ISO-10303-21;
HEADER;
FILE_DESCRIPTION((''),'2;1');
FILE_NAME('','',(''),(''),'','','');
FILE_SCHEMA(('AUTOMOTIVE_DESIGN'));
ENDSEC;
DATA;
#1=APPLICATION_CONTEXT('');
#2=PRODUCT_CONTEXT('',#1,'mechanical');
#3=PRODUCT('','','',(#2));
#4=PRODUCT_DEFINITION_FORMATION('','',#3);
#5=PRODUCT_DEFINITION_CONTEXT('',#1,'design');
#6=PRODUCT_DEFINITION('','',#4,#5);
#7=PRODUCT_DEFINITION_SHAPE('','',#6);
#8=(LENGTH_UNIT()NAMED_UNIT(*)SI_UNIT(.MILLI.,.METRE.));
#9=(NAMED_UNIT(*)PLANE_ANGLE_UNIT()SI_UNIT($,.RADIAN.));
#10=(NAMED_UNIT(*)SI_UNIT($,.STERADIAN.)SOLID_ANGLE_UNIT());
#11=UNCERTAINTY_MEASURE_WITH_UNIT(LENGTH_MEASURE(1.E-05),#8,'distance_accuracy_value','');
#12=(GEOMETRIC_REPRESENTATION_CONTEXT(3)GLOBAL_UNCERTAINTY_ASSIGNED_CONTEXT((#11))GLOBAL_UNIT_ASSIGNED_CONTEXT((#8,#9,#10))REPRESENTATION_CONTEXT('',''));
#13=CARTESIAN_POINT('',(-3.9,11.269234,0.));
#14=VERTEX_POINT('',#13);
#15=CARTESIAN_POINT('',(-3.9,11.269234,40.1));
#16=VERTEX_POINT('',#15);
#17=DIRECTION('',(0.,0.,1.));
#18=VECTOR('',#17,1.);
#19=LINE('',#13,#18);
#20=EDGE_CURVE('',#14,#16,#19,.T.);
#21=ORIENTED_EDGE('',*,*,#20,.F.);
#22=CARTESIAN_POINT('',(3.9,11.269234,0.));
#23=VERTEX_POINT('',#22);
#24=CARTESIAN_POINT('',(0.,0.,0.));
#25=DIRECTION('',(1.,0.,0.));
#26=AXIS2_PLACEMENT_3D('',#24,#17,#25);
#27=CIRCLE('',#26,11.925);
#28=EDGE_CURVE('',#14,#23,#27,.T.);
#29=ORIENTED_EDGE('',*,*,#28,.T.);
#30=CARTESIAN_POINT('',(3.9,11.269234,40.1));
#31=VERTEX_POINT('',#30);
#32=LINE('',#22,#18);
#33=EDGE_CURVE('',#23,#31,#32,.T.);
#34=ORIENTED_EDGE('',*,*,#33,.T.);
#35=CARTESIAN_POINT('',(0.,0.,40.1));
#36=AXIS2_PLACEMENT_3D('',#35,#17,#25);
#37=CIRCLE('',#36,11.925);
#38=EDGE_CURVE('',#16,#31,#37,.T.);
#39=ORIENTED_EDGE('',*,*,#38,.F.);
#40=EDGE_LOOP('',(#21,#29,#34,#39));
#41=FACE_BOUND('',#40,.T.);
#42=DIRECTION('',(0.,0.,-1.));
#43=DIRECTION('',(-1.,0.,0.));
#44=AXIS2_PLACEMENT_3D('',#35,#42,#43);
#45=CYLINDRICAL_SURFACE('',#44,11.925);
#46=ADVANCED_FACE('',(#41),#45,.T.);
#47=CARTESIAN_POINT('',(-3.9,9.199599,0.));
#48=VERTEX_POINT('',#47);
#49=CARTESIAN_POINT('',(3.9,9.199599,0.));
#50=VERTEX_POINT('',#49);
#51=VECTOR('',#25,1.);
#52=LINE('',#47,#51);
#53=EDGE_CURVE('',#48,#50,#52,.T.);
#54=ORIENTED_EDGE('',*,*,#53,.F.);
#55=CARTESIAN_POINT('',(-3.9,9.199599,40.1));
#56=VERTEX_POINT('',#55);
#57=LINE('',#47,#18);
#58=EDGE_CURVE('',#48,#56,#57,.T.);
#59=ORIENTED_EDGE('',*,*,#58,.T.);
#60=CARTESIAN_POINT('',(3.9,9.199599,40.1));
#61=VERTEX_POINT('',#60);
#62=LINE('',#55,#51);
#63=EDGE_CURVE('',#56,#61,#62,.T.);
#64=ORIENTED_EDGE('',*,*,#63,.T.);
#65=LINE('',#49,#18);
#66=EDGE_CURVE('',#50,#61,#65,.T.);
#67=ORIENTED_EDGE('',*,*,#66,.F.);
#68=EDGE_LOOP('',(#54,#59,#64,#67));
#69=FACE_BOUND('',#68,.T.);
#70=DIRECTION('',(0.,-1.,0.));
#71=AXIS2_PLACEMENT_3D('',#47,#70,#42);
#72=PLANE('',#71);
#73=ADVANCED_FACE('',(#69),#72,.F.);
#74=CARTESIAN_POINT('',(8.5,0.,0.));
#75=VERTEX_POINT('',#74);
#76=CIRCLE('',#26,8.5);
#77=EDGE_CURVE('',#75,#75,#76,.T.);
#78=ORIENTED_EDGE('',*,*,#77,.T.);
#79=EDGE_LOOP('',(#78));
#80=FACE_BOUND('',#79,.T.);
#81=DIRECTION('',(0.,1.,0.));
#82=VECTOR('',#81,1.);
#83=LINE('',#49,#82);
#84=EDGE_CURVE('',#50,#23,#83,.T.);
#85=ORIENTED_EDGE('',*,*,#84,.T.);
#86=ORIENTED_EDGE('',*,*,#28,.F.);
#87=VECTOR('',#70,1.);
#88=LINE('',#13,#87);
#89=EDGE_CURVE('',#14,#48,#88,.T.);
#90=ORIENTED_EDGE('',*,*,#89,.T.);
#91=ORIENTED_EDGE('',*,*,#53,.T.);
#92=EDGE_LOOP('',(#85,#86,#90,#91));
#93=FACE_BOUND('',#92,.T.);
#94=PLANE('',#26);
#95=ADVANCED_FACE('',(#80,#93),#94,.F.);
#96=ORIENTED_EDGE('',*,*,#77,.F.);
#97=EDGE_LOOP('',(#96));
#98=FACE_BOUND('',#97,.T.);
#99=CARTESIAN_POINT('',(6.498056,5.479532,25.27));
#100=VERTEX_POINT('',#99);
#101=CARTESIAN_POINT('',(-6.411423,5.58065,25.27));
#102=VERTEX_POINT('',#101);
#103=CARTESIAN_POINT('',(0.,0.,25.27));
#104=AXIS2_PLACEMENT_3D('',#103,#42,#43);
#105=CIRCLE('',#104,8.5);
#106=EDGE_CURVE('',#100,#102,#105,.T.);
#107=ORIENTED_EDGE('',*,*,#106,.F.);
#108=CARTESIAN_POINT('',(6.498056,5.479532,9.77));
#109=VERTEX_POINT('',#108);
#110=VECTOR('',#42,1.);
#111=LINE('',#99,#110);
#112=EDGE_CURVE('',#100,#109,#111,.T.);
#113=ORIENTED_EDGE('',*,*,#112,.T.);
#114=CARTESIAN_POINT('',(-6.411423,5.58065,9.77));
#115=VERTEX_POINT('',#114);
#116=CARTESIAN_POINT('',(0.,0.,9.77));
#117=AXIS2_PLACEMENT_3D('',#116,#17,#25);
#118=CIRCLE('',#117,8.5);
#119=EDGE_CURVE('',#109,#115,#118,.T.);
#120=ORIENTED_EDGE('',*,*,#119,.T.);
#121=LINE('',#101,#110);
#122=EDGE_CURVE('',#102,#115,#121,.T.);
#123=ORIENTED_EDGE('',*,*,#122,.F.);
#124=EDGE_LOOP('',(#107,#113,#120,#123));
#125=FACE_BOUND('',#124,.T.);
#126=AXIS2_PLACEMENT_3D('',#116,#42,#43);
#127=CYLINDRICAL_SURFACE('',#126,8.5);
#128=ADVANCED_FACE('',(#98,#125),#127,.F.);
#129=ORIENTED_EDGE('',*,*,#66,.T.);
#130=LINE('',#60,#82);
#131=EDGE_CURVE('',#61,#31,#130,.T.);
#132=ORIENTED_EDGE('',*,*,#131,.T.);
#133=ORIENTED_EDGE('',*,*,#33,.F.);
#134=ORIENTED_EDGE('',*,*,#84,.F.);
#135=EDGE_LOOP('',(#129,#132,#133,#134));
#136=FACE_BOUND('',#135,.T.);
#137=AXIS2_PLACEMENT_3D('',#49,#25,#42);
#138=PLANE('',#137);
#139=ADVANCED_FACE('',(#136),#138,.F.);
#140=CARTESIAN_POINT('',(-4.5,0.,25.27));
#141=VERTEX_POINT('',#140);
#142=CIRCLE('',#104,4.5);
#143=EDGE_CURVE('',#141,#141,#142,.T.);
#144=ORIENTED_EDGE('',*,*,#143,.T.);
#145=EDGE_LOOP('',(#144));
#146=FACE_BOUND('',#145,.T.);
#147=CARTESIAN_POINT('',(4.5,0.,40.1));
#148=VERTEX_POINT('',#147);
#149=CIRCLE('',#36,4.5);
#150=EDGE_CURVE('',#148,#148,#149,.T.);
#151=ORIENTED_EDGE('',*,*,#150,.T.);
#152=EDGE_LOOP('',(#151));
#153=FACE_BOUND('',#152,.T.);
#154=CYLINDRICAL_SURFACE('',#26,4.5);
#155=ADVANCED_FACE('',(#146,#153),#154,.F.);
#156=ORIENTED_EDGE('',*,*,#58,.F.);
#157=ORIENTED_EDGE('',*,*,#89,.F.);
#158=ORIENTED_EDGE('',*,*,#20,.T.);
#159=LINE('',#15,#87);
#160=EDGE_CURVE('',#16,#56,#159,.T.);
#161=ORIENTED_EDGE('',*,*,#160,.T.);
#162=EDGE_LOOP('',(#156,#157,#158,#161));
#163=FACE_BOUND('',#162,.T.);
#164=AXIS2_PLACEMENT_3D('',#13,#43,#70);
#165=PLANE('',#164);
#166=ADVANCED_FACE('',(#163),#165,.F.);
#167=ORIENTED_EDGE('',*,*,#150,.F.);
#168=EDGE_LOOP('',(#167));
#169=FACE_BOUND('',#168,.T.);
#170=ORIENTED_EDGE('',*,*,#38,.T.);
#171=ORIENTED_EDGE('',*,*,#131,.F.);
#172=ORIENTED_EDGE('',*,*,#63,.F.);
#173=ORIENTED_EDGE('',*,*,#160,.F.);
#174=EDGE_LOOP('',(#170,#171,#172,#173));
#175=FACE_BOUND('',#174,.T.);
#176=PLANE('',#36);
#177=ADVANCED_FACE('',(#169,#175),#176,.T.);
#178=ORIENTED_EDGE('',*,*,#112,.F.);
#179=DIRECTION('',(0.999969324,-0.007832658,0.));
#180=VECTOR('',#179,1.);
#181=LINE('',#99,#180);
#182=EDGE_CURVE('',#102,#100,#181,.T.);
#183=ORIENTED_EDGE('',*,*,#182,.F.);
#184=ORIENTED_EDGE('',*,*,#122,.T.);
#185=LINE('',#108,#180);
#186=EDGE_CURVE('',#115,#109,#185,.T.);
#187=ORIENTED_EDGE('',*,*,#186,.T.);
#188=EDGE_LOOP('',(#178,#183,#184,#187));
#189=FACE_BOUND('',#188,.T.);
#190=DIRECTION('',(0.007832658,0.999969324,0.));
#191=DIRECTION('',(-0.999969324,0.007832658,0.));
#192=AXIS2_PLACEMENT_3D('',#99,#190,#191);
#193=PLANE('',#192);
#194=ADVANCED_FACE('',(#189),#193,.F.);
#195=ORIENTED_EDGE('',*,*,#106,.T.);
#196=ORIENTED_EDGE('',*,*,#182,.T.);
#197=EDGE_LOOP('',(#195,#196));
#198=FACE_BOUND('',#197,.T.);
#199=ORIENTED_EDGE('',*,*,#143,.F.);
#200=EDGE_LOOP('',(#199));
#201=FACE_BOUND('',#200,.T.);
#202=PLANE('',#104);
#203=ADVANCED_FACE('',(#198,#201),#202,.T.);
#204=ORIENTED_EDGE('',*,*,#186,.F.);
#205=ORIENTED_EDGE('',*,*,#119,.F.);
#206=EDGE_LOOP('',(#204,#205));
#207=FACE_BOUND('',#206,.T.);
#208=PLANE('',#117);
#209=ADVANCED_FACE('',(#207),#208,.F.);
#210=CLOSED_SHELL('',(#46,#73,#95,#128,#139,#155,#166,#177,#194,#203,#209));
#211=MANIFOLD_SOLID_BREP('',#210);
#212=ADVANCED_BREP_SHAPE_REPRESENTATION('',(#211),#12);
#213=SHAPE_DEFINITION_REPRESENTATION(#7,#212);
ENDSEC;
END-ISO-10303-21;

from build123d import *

# Parameters (mm, degrees)
ESQUISSE1_R             = 11.925
BOSS_EXTRU_1_DEPTH      = 40.1
ESQUISSE2_R             = 8.5
ENL_V_MAT_EXTRU_1_DEPTH = 9.77
ENL_V_MAT_EXTRU_2_DEPTH = 15.5
ESQUISSE5_R             = 4.5
ENL_V_MAT_EXTRU_3_DEPTH = 41.1
ENL_V_MAT_EXTRU_5_DEPTH = 41.1


with BuildPart() as part:
    # Esquisse1 → Boss.-Extru.1 (new body)
    with BuildSketch(Plane.XY):
        Circle(ESQUISSE1_R)
    extrude(amount=BOSS_EXTRU_1_DEPTH)

    # Esquisse2 → Enlèv. mat.-Extru.1 (cut)
    with BuildSketch(Plane.XY):
        Circle(ESQUISSE2_R)
    extrude(amount=ENL_V_MAT_EXTRU_1_DEPTH, mode=Mode.SUBTRACT)

    # Esquisse4 → Enlèv. mat.-Extru.2 (cut)
    with BuildSketch(Plane(origin=(0, 0, 9.77), x_dir=(-1, 0, 0), z_dir=(0, 0, -1))):
        with BuildLine():
            Line((-6.498055974, 5.479531783), (6.411422693, 5.580650415))
            ThreePointArc((6.411422693, 5.580650415), (0.066577592, -8.499739256), (-6.498055974, 5.479531783))
        make_face()
    extrude(amount=-ENL_V_MAT_EXTRU_2_DEPTH, mode=Mode.SUBTRACT)

    # Esquisse5 → Enlèv. mat.-Extru.3 (cut, through all)
    with BuildSketch(Plane.XY.offset(40.1)):
        Circle(ESQUISSE5_R)
    extrude(amount=-ENL_V_MAT_EXTRU_3_DEPTH, mode=Mode.SUBTRACT)

    # Esquisse6 → Enlèv. mat.-Extru.5 (cut, through all)
    with BuildSketch(Plane.XY.offset(40.1)):
        with BuildLine():
            Line((-3.9, 11.269233559), (-3.9, 9.199599168))
            Line((-3.9, 9.199599168), (3.9, 9.199599168))
            Line((3.9, 9.199599168), (3.9, 11.269233559))
            ThreePointArc((3.9, 11.269233559), (0, 11.925), (-3.9, 11.269233559))
        make_face()
    extrude(amount=-ENL_V_MAT_EXTRU_5_DEPTH, mode=Mode.SUBTRACT)


solid = part.part
